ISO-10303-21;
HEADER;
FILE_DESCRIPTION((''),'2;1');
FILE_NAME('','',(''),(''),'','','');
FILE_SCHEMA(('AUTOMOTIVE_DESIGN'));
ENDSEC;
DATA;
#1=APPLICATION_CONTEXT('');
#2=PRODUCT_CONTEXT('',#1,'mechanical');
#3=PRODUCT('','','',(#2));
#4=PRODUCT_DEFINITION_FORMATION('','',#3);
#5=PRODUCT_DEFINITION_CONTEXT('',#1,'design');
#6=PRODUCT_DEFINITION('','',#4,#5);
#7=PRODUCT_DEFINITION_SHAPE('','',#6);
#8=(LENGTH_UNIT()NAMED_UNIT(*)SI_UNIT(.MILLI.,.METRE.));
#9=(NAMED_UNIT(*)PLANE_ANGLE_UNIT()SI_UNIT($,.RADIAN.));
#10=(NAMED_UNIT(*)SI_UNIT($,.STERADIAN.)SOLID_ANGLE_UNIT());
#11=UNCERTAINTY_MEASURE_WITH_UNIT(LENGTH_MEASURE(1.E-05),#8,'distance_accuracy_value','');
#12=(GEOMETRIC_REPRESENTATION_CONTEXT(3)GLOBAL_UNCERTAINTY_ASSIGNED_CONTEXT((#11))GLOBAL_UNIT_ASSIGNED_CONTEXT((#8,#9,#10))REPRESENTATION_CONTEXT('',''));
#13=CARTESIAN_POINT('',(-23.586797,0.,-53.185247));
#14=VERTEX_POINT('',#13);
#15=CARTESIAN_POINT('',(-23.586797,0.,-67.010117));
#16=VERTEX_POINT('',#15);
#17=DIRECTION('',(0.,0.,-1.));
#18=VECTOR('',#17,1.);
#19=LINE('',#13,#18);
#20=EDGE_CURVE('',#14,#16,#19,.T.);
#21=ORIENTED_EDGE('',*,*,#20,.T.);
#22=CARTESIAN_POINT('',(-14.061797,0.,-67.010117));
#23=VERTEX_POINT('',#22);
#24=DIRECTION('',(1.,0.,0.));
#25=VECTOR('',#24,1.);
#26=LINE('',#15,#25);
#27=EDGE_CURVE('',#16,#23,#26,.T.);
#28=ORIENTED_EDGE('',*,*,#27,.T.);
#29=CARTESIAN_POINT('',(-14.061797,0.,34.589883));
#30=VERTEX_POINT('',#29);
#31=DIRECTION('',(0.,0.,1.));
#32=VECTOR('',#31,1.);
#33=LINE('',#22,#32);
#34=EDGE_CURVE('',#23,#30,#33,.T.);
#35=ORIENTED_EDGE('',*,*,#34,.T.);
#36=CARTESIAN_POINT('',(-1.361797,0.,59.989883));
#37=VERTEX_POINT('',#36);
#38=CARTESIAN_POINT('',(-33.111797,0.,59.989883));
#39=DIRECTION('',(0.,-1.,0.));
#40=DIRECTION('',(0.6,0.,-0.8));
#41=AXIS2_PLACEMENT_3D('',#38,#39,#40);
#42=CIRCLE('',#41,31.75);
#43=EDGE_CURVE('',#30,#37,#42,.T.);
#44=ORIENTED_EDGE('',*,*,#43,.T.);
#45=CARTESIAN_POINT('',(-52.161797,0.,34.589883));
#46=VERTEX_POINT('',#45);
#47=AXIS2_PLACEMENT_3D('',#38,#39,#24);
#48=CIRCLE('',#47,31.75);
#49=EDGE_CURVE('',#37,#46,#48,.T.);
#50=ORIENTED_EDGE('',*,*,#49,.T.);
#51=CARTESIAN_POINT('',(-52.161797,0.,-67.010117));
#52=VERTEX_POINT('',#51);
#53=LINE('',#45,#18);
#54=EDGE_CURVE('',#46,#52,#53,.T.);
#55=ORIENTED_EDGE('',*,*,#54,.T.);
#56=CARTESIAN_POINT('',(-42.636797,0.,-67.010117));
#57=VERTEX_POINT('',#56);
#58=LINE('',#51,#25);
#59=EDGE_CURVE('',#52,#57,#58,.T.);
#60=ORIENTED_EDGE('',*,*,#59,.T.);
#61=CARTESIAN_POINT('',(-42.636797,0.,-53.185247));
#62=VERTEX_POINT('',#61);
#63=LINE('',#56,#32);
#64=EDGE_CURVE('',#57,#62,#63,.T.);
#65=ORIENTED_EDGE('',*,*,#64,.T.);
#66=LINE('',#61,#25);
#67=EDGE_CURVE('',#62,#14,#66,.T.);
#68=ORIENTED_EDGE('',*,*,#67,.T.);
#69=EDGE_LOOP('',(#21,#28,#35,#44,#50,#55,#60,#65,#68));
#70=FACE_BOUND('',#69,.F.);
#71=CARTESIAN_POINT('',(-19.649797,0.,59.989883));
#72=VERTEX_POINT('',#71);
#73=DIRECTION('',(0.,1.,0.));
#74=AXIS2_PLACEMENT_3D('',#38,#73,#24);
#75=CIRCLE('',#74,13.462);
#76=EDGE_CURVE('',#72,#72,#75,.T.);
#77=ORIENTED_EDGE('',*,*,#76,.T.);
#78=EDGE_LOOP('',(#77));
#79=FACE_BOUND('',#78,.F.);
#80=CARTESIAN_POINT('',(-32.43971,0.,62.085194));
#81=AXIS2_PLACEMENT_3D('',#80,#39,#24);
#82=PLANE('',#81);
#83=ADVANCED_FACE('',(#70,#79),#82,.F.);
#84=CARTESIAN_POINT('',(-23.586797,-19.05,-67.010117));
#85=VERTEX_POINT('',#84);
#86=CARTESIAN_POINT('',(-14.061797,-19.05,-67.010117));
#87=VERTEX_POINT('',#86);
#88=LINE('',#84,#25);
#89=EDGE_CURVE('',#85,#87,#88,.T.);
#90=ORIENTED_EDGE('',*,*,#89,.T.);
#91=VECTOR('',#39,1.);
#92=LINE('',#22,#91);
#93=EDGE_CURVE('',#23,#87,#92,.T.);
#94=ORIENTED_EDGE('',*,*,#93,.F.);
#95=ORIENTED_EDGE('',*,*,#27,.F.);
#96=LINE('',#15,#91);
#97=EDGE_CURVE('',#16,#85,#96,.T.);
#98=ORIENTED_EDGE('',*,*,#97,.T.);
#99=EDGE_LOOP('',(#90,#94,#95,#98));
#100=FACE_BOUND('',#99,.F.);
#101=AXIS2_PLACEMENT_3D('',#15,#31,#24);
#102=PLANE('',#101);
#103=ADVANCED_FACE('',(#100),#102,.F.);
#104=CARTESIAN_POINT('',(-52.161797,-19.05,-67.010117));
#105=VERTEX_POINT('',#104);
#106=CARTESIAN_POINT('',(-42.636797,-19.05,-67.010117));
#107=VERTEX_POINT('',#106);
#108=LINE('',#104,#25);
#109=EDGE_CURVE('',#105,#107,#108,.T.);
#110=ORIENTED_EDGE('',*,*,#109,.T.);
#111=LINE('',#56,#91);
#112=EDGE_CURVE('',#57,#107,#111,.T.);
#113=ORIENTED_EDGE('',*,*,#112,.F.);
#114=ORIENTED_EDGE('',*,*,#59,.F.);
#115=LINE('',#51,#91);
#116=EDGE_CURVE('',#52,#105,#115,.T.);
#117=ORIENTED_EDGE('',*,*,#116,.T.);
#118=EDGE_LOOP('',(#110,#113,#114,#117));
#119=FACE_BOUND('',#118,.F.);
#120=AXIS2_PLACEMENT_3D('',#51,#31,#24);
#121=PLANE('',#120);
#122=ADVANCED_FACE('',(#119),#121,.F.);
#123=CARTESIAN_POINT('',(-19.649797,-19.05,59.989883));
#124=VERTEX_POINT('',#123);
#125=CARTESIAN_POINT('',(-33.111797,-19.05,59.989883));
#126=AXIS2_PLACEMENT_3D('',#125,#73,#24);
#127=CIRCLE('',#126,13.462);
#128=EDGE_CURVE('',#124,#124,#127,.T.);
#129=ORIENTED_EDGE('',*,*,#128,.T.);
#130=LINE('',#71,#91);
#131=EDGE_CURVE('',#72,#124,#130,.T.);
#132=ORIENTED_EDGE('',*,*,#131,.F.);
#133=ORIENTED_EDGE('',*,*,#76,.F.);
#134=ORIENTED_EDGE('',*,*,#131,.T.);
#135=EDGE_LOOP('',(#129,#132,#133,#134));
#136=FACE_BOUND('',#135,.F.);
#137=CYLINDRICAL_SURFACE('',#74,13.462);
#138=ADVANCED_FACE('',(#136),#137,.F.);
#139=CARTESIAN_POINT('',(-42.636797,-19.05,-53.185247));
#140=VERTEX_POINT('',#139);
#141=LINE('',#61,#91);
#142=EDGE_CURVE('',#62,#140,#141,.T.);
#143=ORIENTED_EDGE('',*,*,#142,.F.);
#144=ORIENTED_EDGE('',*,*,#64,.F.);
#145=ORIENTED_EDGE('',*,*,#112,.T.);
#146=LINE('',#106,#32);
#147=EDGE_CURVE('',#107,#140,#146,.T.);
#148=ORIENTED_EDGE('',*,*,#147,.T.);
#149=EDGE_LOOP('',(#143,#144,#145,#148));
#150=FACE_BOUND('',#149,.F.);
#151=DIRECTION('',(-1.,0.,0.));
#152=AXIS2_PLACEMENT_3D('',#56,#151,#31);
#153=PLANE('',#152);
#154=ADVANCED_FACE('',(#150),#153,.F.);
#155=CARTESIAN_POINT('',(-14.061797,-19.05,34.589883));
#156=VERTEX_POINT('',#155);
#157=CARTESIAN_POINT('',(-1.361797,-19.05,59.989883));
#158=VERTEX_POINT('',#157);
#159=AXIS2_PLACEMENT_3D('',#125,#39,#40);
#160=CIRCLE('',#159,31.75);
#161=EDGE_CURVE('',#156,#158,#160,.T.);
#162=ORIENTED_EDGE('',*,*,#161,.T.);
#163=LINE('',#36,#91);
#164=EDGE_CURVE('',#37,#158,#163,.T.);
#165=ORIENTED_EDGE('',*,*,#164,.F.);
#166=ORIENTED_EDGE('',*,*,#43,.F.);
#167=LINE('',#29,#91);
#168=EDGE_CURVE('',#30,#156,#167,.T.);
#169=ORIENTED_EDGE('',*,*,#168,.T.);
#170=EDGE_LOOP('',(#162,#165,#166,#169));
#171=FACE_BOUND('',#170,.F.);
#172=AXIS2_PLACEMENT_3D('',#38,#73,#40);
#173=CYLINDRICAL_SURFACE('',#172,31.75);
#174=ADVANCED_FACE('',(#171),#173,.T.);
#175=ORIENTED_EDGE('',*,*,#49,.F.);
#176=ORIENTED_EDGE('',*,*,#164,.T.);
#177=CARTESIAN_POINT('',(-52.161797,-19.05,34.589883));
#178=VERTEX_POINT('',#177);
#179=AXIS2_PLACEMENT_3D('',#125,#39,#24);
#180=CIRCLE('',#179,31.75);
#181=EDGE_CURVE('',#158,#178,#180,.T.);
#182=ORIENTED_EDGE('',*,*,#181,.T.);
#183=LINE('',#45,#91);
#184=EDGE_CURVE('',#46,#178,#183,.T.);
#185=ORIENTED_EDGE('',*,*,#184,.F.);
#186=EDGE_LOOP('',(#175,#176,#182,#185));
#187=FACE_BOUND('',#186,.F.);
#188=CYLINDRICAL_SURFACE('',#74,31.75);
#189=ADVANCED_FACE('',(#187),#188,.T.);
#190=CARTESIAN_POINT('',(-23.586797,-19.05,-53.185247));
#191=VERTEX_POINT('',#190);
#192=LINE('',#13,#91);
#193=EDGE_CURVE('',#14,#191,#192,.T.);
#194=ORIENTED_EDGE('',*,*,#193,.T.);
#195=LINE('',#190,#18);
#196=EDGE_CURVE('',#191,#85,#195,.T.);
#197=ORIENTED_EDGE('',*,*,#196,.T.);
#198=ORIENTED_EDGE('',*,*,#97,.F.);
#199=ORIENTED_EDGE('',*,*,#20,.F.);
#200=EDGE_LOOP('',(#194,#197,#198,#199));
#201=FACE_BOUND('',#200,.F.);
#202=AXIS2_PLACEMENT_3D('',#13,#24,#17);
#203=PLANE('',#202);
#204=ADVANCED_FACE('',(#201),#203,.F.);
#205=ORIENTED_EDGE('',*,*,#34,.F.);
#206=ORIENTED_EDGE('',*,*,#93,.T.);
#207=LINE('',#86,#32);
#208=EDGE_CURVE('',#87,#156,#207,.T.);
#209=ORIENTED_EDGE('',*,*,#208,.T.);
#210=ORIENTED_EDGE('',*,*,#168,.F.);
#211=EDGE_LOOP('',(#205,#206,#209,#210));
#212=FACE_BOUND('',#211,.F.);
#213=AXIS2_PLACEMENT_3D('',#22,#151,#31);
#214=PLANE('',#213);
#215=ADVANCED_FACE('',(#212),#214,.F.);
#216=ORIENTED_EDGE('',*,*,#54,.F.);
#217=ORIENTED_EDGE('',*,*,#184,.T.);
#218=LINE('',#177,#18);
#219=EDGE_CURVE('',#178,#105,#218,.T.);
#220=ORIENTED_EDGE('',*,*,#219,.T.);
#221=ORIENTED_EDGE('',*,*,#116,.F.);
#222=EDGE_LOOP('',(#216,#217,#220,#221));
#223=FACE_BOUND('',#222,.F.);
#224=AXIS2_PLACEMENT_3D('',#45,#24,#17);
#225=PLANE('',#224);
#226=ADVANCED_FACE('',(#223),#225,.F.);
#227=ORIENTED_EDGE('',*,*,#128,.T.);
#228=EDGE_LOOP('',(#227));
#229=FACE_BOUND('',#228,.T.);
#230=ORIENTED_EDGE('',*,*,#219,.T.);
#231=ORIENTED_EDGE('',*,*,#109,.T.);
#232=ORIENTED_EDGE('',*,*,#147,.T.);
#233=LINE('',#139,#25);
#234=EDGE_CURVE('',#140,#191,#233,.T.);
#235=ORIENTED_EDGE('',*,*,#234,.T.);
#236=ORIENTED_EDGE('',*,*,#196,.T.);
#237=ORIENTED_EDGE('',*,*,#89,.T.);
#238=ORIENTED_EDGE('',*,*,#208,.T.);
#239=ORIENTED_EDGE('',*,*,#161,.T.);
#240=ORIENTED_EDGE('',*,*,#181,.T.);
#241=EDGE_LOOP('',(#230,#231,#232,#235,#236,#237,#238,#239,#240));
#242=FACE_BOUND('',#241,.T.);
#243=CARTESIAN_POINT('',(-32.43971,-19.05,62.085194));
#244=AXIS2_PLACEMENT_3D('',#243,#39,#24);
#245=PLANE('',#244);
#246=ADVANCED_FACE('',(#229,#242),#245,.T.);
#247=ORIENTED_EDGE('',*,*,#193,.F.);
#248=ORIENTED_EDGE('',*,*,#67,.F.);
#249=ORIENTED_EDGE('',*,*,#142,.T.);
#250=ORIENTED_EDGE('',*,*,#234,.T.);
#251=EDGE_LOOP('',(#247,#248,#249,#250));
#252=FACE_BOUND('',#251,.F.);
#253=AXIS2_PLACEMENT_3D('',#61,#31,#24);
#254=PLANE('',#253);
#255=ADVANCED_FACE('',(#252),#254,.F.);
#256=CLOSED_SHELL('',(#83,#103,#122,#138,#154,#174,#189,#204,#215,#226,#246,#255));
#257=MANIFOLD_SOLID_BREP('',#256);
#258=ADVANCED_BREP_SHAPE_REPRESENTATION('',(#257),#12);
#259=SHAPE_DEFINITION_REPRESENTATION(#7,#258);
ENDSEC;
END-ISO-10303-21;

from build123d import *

# Parameters (mm, degrees)
F1_DEPTH = 19.05


with BuildPart() as f1:
    # F0 (on Front) → F1 (new body)
    with BuildSketch(Plane.XZ):
        with BuildLine():
            ThreePointArc((-1.3617971703, 59.9898834005), (-47.3108288274, 88.3879467147), (-52.1617971703, 34.5898834005))
            Line((-52.1617971703, 34.5898834005), (-52.1617971703, 59.9898834005))
            Line((-52.1617971703, 59.9898834005), (-46.5737971703, 59.9898834005))
            ThreePointArc((-46.5737971703, 59.9898834005), (-33.1117971703, 73.4518834005), (-19.6497971703, 59.9898834005))
            Line((-19.6497971703, 59.9898834005), (-14.0617971703, 59.9898834005))
            Line((-14.0617971703, 59.9898834005), (-14.0617971703, 34.5898834005))
            ThreePointArc((-14.0617971703, 34.5898834005), (-4.713733856, 45.7908517434), (-1.3617971703, 59.9898834005))
        make_face()
        with BuildLine():
            Line((-52.1617971703, 59.9898834005), (-52.1617971703, 34.5898834005))
            ThreePointArc((-52.1617971703, 34.5898834005), (-33.1117971703, 28.2398834005), (-14.0617971703, 34.5898834005))
            Line((-14.0617971703, 34.5898834005), (-14.0617971703, 59.9898834005))
            Line((-14.0617971703, 59.9898834005), (-19.6497971703, 59.9898834005))
            ThreePointArc((-19.6497971703, 59.9898834005), (-33.1117971703, 46.5278834005), (-46.5737971703, 59.9898834005))
            Line((-46.5737971703, 59.9898834005), (-52.1617971703, 59.9898834005))
        make_face()
        with BuildLine():
            Line((-52.1617971703, 34.5898834005), (-52.1617971703, -67.0101165995))
            Line((-52.1617971703, -67.0101165995), (-42.6367971703, -67.0101165995))
            Line((-42.6367971703, -67.0101165995), (-42.6367971703, -53.1852468848))
            Line((-42.6367971703, -53.1852468848), (-23.5867971703, -53.1852468848))
            Line((-23.5867971703, -53.1852468848), (-23.5867971703, -67.0101165995))
            Line((-23.5867971703, -67.0101165995), (-14.0617971703, -67.0101165995))
            Line((-14.0617971703, -67.0101165995), (-14.0617971703, 34.5898834005))
            ThreePointArc((-14.0617971703, 34.5898834005), (-33.1117971703, 28.2398834005), (-52.1617971703, 34.5898834005))
        make_face()
    extrude(amount=F1_DEPTH)


solid = f1.part
